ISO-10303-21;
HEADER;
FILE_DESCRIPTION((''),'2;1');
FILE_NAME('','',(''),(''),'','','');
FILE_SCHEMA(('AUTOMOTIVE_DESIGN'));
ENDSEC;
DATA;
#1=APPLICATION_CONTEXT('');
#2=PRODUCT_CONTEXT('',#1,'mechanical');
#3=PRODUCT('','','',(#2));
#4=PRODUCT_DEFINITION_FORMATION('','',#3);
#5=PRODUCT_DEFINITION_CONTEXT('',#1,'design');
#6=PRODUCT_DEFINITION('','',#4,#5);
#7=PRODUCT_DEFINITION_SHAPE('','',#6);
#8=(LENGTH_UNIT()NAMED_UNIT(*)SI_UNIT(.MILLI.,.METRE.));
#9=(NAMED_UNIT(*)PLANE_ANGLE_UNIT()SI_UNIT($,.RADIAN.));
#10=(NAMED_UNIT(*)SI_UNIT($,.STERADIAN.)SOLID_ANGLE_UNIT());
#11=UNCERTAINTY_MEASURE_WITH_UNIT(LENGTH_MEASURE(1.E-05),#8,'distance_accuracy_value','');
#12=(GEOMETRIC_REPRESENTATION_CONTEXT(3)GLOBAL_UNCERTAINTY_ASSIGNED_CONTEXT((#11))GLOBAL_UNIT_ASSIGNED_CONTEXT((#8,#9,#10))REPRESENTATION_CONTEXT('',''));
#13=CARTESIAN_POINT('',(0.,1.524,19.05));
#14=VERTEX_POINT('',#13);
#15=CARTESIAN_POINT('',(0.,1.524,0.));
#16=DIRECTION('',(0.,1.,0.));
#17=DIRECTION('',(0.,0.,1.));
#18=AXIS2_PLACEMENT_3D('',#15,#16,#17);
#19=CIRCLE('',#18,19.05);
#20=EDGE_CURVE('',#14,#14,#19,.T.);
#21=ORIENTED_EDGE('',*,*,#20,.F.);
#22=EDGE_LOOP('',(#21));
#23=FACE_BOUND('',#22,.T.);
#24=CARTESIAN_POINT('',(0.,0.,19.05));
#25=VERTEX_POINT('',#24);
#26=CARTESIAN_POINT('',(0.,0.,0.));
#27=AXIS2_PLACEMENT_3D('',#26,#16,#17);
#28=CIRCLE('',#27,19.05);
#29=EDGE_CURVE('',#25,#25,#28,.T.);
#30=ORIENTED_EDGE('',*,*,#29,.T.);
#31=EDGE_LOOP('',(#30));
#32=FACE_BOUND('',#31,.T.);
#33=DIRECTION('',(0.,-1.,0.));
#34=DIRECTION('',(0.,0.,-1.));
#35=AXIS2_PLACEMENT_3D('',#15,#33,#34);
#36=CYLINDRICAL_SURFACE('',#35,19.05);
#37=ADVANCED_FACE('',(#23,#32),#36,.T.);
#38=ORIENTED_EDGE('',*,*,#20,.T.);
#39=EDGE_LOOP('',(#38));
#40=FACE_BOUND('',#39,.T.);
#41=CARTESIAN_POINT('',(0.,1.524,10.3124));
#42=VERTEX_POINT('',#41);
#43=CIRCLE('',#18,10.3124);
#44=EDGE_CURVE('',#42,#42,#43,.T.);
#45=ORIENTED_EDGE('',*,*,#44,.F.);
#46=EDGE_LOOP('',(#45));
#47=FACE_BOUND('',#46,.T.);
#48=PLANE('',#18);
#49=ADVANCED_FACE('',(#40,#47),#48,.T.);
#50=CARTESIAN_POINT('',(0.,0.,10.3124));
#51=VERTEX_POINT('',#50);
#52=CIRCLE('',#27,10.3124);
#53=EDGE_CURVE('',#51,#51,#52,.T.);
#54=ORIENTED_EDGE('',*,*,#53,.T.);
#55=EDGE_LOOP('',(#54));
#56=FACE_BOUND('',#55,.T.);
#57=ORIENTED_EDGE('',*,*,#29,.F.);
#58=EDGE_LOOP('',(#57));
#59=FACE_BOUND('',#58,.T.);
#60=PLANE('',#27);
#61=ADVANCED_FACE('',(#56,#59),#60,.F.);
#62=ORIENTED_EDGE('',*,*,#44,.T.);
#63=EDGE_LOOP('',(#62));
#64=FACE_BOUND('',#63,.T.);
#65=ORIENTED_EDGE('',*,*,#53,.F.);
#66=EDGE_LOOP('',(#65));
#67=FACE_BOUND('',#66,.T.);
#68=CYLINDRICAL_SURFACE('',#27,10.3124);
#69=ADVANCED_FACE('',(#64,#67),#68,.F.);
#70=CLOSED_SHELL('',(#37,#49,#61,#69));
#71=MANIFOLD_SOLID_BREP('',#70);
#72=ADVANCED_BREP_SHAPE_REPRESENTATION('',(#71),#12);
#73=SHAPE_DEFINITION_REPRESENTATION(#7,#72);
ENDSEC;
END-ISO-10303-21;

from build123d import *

# Parameters (mm, degrees)
SKETCH1_R           = 19.05
BOSS_EXTRUDE1_DEPTH = 1.524
SKETCH5_R           = 10.3124
CUT_EXTRUDE1_DEPTH  = 2.524


with BuildPart() as part:
    # Sketch1 → Boss-Extrude1 (new body)
    with BuildSketch(Plane(origin=(0, 0, 0), x_dir=(1, 0, 0), z_dir=(0, 1, 0))):
        Circle(SKETCH1_R)
    extrude(amount=BOSS_EXTRUDE1_DEPTH)

    # Sketch5 → Cut-Extrude1 (cut, through all)
    with BuildSketch(Plane(origin=(0, 1.524, 0), x_dir=(-1, 0, 0), z_dir=(0, 1, 0))):
        Circle(SKETCH5_R)
    extrude(amount=-CUT_EXTRUDE1_DEPTH, mode=Mode.SUBTRACT)


solid = part.part
